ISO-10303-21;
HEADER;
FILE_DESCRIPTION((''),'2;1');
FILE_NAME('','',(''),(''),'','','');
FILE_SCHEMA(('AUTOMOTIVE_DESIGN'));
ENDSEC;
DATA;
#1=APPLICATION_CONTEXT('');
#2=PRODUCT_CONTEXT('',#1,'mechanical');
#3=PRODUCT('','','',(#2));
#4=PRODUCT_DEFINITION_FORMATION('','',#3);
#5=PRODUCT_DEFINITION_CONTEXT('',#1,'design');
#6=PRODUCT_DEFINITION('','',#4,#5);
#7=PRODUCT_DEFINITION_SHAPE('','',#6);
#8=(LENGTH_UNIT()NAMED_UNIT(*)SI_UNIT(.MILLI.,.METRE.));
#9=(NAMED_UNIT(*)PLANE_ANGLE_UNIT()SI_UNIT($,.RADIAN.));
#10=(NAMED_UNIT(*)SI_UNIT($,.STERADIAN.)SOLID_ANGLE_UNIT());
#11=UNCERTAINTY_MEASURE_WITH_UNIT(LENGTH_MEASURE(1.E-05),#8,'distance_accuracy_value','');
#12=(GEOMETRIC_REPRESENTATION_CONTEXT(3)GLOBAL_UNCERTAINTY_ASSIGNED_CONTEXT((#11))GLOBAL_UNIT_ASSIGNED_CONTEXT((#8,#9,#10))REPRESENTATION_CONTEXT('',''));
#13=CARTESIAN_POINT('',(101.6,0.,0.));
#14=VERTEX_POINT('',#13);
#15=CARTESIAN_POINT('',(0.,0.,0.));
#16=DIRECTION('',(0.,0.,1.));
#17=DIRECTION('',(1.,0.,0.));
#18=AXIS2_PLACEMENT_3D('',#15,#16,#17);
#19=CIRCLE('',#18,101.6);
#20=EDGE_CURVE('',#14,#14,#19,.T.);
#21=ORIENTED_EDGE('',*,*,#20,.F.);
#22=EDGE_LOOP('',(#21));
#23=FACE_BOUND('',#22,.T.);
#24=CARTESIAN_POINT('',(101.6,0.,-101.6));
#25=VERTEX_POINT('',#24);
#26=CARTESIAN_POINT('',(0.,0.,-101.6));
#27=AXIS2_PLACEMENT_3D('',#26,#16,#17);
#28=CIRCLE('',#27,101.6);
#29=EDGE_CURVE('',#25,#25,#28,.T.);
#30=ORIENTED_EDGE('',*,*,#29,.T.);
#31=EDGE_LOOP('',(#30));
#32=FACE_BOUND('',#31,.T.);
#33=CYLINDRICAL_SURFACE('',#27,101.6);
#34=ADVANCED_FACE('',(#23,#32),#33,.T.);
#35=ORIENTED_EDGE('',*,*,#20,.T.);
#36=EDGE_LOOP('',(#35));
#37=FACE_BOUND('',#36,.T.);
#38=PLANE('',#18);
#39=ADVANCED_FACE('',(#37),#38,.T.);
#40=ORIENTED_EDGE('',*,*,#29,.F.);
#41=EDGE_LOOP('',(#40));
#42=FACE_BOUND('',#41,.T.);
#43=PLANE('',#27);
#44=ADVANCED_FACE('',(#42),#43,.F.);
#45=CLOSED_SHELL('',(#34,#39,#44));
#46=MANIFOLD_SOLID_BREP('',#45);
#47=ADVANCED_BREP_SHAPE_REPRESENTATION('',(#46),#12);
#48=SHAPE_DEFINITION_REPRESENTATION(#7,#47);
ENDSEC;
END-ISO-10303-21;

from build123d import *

# Parameters (mm, degrees)
SKETCH1_R           = 101.6
BOSS_EXTRUDE1_DEPTH = 101.6


with BuildPart() as part:
    # Sketch1 → Boss-Extrude1 (new body)
    with BuildSketch(Plane.XY):
        Circle(SKETCH1_R)
    extrude(amount=-BOSS_EXTRUDE1_DEPTH)


solid = part.part
